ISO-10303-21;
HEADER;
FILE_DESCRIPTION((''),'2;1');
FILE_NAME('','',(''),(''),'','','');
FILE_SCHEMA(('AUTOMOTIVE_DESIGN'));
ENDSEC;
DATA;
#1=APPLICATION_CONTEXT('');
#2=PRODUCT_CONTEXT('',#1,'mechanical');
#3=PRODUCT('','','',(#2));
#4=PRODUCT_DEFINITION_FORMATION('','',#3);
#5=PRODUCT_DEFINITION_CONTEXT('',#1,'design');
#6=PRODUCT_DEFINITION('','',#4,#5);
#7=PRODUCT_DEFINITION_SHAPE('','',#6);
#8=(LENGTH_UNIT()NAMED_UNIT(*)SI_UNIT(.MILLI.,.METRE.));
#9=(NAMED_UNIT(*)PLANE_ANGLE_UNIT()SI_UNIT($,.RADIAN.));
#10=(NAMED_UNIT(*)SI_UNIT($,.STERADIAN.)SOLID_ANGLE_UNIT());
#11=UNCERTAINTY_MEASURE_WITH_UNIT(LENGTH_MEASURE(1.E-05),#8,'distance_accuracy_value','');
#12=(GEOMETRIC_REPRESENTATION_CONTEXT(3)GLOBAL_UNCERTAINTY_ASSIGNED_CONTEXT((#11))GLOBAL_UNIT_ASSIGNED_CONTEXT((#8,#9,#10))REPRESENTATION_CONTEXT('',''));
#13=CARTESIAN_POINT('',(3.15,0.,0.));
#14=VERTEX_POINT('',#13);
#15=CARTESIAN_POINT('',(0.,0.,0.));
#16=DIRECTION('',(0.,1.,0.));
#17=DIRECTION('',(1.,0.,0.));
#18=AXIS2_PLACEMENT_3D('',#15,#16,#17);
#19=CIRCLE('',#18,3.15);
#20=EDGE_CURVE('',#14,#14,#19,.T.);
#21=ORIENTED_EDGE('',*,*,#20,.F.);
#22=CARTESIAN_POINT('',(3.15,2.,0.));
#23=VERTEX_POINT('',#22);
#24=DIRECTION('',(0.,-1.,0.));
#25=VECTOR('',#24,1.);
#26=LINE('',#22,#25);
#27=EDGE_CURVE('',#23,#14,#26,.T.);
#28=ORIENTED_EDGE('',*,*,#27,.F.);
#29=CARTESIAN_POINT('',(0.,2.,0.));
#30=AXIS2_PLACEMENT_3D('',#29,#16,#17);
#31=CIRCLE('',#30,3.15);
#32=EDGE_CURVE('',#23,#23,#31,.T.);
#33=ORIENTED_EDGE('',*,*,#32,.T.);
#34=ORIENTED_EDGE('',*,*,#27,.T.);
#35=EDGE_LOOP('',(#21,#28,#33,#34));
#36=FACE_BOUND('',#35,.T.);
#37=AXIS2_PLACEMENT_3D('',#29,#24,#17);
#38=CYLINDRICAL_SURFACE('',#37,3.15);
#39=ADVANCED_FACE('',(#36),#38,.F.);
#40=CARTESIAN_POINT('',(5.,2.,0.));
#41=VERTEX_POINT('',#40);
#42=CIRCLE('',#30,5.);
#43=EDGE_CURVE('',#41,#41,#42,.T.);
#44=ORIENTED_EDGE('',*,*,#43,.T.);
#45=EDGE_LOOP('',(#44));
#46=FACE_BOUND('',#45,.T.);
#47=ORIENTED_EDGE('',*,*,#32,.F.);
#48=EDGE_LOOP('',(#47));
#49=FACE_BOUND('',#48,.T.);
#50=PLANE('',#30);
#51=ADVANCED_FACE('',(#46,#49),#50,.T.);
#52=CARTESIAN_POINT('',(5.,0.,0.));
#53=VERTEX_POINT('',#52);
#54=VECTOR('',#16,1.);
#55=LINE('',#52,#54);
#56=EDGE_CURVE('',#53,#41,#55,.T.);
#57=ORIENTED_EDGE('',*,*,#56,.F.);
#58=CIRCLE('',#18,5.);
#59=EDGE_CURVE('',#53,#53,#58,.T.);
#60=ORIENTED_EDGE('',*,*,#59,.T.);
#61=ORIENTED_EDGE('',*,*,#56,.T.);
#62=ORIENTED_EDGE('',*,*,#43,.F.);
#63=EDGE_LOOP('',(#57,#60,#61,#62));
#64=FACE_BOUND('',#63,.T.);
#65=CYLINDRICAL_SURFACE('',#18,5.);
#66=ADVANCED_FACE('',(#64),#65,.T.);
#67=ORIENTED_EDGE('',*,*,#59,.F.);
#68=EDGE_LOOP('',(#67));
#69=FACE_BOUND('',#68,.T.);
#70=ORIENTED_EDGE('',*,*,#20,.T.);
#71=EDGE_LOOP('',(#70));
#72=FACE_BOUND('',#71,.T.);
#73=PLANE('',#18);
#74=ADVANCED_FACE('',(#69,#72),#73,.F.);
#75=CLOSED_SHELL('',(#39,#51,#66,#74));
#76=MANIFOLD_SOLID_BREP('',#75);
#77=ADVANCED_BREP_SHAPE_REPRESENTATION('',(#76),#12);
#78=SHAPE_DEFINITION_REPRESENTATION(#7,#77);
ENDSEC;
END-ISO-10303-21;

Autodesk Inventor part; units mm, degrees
ref_plane "YZ Plane" through (0, 0, 0) normal (1, 0, 0) x (0, 1, 0)
ref_plane "XZ Plane" through (0, 0, 0) normal (0, 1, 0) x (-1, 0, 0)
ref_plane "XY Plane" through (0, 0, 0) normal (0, 0, 1) x (1, 0, 0)
sketch "Sketch1" plane through (0, 0, 0) normal (0, 0, 1) x (1, 0, 0)
  line L0 (5, 0) -> (5, 2)
  line L1 (5, 2) -> (3.15, 2)
  line L2 (3.15, 2) -> (3.15, 0)
  line L3 (0, 0) -> (0, 8.8913)
  line L4 (3.15, 0) -> (5, 0)
  dimension "d2" = 2
  dimension "d3" = 6.3
  dimension "d4" = 10
revolve "Revolution1" add sketch "Sketch1" angle 360 about axis through (0, 0, 0) along (0, 1, 0)
equation "\"d2\" = t1"
equation "\"d3\" = id"
equation "\"d4\" = od_a"
equation "\"od_a\" = 10"
equation "\"t1\" = 2"
equation "\"id\" = 6.3"
properties part number "ceramics1" material "Silicon Nitride"
